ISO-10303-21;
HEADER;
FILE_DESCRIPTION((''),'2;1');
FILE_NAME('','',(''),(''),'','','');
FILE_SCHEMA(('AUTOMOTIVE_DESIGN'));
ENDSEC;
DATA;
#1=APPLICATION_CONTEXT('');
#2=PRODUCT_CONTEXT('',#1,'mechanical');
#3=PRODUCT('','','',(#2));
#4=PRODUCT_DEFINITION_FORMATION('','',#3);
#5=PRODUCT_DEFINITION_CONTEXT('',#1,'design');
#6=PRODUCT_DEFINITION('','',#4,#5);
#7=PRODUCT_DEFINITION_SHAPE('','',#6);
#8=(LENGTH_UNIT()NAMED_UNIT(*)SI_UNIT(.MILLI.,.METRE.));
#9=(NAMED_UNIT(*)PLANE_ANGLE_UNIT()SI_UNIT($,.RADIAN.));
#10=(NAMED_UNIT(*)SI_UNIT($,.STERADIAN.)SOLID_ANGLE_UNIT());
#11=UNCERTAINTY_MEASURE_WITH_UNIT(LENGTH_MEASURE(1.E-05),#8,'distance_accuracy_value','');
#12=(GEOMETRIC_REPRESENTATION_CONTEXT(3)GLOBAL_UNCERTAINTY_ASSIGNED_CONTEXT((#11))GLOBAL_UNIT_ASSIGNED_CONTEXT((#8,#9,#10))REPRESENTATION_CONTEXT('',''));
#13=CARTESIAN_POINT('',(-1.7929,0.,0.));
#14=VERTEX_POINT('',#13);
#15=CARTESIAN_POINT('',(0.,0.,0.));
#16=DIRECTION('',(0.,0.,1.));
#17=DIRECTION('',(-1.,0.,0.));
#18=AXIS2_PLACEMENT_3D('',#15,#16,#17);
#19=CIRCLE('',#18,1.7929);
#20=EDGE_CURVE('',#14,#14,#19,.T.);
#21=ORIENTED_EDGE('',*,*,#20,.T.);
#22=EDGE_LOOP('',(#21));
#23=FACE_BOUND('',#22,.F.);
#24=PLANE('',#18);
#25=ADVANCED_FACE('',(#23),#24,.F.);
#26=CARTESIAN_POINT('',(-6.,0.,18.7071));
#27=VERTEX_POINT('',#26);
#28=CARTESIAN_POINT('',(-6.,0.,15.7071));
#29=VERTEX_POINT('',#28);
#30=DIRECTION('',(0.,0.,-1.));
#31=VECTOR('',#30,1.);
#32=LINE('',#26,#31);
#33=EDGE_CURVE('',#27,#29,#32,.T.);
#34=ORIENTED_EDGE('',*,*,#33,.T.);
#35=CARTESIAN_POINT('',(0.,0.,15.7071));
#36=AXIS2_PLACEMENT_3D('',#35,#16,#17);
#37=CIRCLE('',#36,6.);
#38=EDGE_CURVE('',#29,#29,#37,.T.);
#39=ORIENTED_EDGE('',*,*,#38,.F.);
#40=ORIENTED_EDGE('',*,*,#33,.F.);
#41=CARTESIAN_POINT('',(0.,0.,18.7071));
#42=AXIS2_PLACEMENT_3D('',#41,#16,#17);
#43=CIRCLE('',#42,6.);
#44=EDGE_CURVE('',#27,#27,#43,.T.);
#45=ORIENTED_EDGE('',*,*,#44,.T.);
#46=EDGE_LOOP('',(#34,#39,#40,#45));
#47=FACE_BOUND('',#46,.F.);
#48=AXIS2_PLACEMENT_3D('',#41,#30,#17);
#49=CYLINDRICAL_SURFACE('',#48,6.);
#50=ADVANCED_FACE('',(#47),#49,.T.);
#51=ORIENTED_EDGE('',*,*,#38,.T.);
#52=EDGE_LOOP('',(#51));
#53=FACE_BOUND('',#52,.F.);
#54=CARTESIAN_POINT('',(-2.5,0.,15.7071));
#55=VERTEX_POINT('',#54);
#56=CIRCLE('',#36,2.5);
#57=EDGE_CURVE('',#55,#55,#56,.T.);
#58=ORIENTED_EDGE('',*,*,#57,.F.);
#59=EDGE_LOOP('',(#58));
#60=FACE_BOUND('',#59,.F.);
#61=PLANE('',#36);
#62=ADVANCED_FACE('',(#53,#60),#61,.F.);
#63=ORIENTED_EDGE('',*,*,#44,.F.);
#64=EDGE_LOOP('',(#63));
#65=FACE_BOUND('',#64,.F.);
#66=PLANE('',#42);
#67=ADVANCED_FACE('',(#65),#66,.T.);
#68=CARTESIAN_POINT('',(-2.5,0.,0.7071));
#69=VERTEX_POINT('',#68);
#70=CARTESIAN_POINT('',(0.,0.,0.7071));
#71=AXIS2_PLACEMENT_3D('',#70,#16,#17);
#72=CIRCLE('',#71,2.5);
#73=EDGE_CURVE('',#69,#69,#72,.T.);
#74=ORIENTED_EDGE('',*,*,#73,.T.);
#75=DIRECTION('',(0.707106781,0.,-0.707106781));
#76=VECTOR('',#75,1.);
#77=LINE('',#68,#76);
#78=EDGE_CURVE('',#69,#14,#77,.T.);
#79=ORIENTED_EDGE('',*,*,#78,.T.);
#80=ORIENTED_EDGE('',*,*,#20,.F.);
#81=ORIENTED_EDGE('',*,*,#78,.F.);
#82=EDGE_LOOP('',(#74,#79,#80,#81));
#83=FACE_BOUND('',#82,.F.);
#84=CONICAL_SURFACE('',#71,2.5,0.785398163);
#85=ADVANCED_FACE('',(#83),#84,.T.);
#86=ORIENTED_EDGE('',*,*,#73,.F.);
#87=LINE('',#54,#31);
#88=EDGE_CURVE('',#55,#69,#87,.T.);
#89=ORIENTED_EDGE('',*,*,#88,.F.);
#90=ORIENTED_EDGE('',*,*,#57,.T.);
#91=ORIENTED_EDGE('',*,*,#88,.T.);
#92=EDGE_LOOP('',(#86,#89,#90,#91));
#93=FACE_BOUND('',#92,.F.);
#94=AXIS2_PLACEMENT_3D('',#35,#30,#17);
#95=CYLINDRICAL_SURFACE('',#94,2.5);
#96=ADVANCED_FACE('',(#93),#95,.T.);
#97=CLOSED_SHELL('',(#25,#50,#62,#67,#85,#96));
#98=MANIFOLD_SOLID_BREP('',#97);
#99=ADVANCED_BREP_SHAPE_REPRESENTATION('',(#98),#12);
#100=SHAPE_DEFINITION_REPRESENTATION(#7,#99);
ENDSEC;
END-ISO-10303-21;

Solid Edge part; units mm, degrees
sketch "Sketch1" plane through (0, 0, 0) normal (0, -1, 0) x (1, 0, 0)
  line L0 (0, 18.7071) -> (-6, 18.7071)
  line L1 (-6, 18.7071) -> (-6, 15.7071)
  line L2 (-6, 15.7071) -> (-2.5, 15.7071)
  line L3 (-2.5, 15.7071) -> (-2.5, 0.7071)
  line L4 (-2.5, 0.7071) -> (-1.7929, 0)
  line L5 (-1.7929, 0) -> (0, 0)
  dimension "D1" = 1
  dimension "D2" = 15
  dimension "D3" = 3
revolve "RevolvedProtrusion1" add sketch "Sketch1" angle 360 about axis through (0, 0, 0) along (0, 0, 1)
